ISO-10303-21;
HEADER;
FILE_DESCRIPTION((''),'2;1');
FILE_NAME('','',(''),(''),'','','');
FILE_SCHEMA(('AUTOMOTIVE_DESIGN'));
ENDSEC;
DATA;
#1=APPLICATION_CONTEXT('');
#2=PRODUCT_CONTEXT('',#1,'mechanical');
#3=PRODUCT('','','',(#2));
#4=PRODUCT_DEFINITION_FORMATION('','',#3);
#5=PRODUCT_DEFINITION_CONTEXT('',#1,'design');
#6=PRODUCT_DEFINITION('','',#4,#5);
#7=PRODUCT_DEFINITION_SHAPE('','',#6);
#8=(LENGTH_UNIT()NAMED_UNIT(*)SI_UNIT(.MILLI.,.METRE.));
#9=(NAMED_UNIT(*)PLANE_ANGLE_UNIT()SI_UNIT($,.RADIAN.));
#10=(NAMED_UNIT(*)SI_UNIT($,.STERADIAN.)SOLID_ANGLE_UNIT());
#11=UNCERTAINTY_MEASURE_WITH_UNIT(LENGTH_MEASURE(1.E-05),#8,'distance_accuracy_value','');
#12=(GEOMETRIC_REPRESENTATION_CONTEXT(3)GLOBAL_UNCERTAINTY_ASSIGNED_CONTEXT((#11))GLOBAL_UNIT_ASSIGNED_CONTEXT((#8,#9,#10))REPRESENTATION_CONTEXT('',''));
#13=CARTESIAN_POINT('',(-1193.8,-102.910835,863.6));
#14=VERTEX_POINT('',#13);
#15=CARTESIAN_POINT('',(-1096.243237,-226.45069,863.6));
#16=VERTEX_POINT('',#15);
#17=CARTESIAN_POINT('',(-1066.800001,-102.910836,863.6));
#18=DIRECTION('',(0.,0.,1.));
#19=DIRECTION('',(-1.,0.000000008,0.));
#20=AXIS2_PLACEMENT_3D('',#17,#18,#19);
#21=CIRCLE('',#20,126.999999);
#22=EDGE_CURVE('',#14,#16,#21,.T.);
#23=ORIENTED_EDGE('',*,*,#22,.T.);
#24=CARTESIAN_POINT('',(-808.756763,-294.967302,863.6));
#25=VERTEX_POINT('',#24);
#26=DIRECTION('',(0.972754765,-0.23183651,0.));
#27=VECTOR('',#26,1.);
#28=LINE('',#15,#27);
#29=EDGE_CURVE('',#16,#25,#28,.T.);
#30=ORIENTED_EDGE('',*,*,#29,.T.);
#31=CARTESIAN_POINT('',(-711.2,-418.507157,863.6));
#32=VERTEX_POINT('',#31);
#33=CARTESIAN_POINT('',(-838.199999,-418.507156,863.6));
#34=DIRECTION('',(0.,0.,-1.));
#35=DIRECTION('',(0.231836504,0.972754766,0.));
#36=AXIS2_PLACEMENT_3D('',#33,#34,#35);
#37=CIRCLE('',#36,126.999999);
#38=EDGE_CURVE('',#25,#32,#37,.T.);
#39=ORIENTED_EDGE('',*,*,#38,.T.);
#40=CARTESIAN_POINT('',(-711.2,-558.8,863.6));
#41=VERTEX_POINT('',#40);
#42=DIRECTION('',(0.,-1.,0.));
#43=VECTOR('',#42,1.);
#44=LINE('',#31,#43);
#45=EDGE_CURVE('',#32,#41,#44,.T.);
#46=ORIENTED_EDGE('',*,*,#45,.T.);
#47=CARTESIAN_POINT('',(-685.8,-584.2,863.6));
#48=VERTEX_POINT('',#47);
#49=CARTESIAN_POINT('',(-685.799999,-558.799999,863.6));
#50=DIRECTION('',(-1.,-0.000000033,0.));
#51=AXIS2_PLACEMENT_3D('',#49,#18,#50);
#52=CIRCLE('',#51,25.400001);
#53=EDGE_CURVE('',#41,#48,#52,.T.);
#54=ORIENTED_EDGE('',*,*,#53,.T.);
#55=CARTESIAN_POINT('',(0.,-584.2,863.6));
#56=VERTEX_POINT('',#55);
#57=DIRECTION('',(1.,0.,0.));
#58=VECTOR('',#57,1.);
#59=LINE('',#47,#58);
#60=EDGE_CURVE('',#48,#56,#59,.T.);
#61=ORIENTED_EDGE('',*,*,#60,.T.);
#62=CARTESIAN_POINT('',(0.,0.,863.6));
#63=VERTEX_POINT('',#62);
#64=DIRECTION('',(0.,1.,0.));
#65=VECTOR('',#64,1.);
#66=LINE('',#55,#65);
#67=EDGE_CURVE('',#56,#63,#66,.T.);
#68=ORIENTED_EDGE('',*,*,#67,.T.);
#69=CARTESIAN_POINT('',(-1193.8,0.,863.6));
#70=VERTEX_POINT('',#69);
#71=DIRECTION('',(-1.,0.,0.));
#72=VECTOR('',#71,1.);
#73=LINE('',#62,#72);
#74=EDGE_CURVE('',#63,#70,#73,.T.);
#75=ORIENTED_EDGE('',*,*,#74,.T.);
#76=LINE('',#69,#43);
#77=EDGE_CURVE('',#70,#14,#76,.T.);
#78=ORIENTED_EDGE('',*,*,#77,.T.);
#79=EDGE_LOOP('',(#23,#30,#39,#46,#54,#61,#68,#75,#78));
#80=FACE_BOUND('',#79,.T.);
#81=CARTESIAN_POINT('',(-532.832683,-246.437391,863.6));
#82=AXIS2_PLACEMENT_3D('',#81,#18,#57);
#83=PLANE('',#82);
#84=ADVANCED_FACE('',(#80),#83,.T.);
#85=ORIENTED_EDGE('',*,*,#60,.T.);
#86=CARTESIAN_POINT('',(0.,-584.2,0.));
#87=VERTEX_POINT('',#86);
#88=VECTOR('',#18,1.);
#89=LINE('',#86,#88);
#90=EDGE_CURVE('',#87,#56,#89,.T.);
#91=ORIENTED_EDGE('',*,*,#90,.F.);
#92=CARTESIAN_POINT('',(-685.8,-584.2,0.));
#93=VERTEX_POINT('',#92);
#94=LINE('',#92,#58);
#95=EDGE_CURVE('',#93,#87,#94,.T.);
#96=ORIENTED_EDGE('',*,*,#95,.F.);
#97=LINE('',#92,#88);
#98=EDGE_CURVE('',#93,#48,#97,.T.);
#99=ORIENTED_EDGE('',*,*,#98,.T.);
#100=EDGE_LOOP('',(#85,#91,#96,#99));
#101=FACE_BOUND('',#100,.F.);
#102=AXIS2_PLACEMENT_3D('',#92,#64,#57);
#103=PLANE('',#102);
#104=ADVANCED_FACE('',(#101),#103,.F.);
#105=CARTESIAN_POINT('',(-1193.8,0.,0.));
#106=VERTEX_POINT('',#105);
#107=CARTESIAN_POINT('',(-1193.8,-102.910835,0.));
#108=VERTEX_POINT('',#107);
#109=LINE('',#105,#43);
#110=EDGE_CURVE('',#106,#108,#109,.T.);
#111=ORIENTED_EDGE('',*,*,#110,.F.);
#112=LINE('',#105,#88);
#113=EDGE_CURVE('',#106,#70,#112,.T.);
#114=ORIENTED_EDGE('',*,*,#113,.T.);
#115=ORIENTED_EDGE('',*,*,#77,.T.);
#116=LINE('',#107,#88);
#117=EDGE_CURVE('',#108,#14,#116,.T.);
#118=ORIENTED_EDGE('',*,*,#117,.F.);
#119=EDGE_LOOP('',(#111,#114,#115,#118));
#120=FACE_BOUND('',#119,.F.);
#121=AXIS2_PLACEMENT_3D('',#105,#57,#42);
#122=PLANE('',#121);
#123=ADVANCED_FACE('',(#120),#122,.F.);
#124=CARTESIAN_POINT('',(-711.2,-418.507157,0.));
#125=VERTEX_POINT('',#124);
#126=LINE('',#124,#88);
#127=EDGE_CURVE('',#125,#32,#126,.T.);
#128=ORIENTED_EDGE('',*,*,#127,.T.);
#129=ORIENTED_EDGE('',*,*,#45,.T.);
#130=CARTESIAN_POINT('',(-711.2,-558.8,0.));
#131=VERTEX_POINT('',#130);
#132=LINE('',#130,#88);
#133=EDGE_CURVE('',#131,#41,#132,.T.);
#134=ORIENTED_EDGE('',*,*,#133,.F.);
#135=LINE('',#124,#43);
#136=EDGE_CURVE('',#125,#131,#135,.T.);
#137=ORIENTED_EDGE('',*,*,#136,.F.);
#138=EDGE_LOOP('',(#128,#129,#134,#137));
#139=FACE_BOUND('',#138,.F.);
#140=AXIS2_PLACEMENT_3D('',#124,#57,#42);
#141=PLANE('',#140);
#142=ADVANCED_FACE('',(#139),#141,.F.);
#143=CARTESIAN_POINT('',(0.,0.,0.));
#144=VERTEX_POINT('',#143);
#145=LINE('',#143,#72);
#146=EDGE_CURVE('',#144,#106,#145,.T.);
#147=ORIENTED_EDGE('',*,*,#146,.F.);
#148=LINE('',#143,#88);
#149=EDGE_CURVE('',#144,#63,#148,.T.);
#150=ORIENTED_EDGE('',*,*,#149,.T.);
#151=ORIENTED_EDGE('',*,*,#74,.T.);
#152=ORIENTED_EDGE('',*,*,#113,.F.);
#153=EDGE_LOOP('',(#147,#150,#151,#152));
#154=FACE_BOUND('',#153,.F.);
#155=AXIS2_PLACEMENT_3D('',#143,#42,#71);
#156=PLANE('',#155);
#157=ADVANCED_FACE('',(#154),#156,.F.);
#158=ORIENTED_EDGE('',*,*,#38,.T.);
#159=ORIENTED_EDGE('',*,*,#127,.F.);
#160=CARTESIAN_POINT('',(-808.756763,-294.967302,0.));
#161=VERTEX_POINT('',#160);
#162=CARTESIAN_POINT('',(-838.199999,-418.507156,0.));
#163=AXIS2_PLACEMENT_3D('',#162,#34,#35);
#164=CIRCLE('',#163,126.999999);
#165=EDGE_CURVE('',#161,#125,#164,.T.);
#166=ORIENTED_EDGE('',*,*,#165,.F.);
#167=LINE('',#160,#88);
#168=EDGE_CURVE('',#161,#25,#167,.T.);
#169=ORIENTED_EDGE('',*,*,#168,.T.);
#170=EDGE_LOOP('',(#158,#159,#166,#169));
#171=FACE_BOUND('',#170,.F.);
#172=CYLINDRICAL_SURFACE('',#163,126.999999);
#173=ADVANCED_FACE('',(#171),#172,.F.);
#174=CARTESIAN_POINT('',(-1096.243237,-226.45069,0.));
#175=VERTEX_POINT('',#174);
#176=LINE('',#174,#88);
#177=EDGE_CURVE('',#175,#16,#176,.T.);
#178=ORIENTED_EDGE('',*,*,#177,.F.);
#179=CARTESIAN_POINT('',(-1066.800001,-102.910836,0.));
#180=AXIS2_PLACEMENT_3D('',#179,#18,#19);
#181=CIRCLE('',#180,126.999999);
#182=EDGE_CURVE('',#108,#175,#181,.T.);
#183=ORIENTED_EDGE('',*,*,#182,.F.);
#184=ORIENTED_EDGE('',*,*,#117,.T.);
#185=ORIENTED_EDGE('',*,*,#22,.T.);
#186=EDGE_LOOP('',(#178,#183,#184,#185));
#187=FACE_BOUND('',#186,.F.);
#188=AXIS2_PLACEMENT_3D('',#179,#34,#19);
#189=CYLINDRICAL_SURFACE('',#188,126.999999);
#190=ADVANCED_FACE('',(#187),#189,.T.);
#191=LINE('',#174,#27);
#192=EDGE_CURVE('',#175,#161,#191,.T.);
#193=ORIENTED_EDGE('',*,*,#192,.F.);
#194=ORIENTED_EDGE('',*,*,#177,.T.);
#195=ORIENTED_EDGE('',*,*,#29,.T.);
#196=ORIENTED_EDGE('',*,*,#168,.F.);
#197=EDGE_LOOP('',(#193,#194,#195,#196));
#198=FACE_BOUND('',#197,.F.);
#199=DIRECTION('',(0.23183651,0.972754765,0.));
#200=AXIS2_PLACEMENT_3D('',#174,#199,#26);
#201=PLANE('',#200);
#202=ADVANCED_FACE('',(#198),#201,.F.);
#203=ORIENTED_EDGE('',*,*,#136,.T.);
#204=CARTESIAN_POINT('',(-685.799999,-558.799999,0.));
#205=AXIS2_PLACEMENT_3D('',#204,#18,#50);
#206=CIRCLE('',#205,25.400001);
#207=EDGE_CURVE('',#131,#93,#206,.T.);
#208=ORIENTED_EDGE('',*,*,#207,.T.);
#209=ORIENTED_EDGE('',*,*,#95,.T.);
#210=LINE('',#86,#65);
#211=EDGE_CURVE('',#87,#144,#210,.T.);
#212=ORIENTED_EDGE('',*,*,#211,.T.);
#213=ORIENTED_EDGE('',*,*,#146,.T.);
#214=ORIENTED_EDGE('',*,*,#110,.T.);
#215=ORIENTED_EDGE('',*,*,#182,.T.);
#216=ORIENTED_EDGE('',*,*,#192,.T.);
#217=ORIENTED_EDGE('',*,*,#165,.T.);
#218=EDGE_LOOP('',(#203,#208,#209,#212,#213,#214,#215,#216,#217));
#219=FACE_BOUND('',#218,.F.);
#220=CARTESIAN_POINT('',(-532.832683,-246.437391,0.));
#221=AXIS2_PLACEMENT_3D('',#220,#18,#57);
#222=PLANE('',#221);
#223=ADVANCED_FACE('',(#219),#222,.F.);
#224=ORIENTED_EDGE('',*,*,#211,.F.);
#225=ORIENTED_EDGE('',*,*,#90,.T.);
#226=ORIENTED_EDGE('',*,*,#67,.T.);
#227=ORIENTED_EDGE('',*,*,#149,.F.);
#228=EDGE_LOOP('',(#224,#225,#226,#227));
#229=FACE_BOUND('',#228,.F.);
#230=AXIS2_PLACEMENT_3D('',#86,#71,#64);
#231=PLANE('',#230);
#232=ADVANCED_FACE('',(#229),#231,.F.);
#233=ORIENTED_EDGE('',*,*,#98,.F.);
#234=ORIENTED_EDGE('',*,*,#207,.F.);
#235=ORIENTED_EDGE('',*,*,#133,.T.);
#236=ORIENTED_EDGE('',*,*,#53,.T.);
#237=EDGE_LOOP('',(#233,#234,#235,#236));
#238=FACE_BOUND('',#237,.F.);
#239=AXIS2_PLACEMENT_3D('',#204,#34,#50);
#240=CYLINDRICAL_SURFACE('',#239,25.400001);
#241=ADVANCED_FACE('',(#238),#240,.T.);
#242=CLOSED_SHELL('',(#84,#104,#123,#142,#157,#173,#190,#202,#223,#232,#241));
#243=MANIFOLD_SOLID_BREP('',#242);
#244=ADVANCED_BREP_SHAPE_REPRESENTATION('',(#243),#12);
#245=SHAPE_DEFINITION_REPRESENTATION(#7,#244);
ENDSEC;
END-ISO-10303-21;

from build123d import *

# Parameters (mm, degrees)
F1_DEPTH = 863.6


with BuildPart() as f1:
    # F0 (on Top) → F1 (new body)
    with BuildSketch(Plane.XY):
        with BuildLine():
            Line((0, -584.2), (0, 0))
            Line((0, 0), (-1193.8, 0))
            Line((-1193.8, 0), (-1193.8, -102.910835))
            ThreePointArc((-1193.8, -102.910835), (-1166.470184, -181.618233), (-1096.243237, -226.45069))
            Line((-1096.243237, -226.45069), (-808.756763, -294.967302))
            ThreePointArc((-808.756763, -294.967302), (-738.529816, -339.799759), (-711.2, -418.507157))
            Line((-711.2, -418.507157), (-711.2, -558.8))
            ThreePointArc((-711.2, -558.8), (-703.760512, -576.760512), (-685.8, -584.2))
            Line((-685.8, -584.2), (0, -584.2))
        make_face()
    extrude(amount=F1_DEPTH)


solid = f1.part
